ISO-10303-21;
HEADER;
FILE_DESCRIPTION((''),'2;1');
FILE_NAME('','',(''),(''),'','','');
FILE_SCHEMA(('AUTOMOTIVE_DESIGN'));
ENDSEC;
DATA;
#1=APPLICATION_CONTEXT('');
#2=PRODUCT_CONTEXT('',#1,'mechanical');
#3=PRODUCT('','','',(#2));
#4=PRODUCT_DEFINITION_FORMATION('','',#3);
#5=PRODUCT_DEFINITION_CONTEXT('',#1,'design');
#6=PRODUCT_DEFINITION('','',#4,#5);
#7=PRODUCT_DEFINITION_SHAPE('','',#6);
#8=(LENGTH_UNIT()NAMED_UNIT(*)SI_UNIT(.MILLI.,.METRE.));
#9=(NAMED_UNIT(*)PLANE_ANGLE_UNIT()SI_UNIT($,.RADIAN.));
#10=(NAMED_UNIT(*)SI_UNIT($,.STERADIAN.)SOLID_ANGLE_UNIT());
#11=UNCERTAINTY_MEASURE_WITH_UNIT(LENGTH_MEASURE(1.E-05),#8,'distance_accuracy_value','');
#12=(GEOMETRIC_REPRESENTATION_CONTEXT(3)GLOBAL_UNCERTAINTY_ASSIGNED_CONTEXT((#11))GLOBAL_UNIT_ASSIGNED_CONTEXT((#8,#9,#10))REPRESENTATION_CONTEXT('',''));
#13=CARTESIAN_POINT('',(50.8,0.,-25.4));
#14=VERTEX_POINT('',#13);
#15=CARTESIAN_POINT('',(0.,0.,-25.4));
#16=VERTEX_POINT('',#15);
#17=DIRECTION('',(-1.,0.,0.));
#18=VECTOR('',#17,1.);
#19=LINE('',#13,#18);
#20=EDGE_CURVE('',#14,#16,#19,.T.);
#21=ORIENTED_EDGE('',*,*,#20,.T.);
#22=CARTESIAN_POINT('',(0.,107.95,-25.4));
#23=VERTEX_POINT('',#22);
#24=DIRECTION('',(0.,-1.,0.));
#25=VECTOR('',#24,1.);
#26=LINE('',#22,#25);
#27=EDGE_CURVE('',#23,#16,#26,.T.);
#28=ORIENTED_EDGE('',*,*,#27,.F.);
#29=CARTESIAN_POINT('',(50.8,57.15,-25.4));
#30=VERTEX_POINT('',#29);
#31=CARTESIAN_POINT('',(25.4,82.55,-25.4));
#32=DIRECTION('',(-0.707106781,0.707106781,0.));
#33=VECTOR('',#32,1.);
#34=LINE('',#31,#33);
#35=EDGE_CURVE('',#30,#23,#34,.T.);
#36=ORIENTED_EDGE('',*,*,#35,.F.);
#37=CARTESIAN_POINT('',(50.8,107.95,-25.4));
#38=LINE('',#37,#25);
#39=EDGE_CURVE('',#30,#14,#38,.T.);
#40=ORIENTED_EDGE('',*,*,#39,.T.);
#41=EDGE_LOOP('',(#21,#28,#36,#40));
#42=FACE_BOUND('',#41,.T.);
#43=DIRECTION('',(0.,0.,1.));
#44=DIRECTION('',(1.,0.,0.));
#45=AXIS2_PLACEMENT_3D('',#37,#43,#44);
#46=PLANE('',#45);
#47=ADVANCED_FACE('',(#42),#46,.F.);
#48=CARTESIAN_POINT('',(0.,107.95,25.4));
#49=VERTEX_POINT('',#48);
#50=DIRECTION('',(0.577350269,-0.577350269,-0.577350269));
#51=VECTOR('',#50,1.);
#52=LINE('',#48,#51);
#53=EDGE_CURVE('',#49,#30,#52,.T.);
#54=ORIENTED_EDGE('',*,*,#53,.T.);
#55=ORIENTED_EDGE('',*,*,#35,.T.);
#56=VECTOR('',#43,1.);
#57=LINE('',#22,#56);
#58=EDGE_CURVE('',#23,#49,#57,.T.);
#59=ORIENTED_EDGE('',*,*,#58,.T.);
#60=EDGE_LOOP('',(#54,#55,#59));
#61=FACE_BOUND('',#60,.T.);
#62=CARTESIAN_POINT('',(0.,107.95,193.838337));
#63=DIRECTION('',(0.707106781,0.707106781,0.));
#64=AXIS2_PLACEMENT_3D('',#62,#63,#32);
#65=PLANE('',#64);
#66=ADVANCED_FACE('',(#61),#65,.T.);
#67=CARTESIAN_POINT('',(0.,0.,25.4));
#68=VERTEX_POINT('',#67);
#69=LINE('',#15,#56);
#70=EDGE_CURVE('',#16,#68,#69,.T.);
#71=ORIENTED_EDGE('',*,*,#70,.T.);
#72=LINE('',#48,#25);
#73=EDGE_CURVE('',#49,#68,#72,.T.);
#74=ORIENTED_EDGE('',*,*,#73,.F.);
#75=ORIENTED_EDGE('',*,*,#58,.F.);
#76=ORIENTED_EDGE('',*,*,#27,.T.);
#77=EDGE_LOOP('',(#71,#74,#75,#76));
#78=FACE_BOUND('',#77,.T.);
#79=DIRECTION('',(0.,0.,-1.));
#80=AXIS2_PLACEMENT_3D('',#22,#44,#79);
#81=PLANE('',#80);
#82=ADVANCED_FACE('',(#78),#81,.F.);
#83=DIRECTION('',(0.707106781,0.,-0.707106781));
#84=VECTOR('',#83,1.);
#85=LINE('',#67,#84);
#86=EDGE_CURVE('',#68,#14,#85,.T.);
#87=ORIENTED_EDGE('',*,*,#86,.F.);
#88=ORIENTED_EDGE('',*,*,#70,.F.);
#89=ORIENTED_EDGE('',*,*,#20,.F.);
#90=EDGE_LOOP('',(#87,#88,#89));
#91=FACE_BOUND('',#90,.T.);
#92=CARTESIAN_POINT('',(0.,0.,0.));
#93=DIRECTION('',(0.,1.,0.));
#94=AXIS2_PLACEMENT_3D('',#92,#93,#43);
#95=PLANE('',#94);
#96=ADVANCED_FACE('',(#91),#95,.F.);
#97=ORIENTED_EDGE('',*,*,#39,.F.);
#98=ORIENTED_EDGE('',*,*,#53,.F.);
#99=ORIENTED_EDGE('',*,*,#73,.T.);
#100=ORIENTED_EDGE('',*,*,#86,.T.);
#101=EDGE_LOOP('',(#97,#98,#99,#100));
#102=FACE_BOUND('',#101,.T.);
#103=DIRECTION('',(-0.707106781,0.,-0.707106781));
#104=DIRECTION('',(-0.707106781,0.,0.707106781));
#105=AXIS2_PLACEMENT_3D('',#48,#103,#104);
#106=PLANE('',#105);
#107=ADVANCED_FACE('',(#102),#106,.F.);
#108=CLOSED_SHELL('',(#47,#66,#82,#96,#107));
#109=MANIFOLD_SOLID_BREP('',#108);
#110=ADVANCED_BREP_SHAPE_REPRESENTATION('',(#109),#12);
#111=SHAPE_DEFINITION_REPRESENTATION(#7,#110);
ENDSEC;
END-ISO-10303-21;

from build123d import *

# Parameters (mm, degrees)
BOSS_EXTRUDE1_DEPTH     = 107.95
CUT_EXTRUDE1_DEPTH      = 122.979516723
CUT_EXTRUDE1_DEPTH_BACK = 122.979516723


with BuildPart() as part:
    # Sketch1 → Boss-Extrude1 (new body)
    with BuildSketch(Plane(origin=(0, 0, 0), x_dir=(1, 0, 0), z_dir=(0, 1, 0))):
        Polygon((50.8, 25.4), (0, 25.4), (0, -25.4), align=None)
    extrude(amount=BOSS_EXTRUDE1_DEPTH)

    # Sketch2 → Cut-Extrude1 (cut, two sides: drawn at the far end of the back side and taken through both)
    with BuildSketch(Plane.XY.offset(-CUT_EXTRUDE1_DEPTH_BACK)):
        Polygon((-175.794762058, 283.744762058), (0, 107.95), (50.8, 57.15), (226.594762058, -118.644762058), (578.184286173, 232.944762058), (175.794762058, 635.334286173), align=None)
    extrude(amount=CUT_EXTRUDE1_DEPTH + CUT_EXTRUDE1_DEPTH_BACK, mode=Mode.SUBTRACT)


solid = part.part
